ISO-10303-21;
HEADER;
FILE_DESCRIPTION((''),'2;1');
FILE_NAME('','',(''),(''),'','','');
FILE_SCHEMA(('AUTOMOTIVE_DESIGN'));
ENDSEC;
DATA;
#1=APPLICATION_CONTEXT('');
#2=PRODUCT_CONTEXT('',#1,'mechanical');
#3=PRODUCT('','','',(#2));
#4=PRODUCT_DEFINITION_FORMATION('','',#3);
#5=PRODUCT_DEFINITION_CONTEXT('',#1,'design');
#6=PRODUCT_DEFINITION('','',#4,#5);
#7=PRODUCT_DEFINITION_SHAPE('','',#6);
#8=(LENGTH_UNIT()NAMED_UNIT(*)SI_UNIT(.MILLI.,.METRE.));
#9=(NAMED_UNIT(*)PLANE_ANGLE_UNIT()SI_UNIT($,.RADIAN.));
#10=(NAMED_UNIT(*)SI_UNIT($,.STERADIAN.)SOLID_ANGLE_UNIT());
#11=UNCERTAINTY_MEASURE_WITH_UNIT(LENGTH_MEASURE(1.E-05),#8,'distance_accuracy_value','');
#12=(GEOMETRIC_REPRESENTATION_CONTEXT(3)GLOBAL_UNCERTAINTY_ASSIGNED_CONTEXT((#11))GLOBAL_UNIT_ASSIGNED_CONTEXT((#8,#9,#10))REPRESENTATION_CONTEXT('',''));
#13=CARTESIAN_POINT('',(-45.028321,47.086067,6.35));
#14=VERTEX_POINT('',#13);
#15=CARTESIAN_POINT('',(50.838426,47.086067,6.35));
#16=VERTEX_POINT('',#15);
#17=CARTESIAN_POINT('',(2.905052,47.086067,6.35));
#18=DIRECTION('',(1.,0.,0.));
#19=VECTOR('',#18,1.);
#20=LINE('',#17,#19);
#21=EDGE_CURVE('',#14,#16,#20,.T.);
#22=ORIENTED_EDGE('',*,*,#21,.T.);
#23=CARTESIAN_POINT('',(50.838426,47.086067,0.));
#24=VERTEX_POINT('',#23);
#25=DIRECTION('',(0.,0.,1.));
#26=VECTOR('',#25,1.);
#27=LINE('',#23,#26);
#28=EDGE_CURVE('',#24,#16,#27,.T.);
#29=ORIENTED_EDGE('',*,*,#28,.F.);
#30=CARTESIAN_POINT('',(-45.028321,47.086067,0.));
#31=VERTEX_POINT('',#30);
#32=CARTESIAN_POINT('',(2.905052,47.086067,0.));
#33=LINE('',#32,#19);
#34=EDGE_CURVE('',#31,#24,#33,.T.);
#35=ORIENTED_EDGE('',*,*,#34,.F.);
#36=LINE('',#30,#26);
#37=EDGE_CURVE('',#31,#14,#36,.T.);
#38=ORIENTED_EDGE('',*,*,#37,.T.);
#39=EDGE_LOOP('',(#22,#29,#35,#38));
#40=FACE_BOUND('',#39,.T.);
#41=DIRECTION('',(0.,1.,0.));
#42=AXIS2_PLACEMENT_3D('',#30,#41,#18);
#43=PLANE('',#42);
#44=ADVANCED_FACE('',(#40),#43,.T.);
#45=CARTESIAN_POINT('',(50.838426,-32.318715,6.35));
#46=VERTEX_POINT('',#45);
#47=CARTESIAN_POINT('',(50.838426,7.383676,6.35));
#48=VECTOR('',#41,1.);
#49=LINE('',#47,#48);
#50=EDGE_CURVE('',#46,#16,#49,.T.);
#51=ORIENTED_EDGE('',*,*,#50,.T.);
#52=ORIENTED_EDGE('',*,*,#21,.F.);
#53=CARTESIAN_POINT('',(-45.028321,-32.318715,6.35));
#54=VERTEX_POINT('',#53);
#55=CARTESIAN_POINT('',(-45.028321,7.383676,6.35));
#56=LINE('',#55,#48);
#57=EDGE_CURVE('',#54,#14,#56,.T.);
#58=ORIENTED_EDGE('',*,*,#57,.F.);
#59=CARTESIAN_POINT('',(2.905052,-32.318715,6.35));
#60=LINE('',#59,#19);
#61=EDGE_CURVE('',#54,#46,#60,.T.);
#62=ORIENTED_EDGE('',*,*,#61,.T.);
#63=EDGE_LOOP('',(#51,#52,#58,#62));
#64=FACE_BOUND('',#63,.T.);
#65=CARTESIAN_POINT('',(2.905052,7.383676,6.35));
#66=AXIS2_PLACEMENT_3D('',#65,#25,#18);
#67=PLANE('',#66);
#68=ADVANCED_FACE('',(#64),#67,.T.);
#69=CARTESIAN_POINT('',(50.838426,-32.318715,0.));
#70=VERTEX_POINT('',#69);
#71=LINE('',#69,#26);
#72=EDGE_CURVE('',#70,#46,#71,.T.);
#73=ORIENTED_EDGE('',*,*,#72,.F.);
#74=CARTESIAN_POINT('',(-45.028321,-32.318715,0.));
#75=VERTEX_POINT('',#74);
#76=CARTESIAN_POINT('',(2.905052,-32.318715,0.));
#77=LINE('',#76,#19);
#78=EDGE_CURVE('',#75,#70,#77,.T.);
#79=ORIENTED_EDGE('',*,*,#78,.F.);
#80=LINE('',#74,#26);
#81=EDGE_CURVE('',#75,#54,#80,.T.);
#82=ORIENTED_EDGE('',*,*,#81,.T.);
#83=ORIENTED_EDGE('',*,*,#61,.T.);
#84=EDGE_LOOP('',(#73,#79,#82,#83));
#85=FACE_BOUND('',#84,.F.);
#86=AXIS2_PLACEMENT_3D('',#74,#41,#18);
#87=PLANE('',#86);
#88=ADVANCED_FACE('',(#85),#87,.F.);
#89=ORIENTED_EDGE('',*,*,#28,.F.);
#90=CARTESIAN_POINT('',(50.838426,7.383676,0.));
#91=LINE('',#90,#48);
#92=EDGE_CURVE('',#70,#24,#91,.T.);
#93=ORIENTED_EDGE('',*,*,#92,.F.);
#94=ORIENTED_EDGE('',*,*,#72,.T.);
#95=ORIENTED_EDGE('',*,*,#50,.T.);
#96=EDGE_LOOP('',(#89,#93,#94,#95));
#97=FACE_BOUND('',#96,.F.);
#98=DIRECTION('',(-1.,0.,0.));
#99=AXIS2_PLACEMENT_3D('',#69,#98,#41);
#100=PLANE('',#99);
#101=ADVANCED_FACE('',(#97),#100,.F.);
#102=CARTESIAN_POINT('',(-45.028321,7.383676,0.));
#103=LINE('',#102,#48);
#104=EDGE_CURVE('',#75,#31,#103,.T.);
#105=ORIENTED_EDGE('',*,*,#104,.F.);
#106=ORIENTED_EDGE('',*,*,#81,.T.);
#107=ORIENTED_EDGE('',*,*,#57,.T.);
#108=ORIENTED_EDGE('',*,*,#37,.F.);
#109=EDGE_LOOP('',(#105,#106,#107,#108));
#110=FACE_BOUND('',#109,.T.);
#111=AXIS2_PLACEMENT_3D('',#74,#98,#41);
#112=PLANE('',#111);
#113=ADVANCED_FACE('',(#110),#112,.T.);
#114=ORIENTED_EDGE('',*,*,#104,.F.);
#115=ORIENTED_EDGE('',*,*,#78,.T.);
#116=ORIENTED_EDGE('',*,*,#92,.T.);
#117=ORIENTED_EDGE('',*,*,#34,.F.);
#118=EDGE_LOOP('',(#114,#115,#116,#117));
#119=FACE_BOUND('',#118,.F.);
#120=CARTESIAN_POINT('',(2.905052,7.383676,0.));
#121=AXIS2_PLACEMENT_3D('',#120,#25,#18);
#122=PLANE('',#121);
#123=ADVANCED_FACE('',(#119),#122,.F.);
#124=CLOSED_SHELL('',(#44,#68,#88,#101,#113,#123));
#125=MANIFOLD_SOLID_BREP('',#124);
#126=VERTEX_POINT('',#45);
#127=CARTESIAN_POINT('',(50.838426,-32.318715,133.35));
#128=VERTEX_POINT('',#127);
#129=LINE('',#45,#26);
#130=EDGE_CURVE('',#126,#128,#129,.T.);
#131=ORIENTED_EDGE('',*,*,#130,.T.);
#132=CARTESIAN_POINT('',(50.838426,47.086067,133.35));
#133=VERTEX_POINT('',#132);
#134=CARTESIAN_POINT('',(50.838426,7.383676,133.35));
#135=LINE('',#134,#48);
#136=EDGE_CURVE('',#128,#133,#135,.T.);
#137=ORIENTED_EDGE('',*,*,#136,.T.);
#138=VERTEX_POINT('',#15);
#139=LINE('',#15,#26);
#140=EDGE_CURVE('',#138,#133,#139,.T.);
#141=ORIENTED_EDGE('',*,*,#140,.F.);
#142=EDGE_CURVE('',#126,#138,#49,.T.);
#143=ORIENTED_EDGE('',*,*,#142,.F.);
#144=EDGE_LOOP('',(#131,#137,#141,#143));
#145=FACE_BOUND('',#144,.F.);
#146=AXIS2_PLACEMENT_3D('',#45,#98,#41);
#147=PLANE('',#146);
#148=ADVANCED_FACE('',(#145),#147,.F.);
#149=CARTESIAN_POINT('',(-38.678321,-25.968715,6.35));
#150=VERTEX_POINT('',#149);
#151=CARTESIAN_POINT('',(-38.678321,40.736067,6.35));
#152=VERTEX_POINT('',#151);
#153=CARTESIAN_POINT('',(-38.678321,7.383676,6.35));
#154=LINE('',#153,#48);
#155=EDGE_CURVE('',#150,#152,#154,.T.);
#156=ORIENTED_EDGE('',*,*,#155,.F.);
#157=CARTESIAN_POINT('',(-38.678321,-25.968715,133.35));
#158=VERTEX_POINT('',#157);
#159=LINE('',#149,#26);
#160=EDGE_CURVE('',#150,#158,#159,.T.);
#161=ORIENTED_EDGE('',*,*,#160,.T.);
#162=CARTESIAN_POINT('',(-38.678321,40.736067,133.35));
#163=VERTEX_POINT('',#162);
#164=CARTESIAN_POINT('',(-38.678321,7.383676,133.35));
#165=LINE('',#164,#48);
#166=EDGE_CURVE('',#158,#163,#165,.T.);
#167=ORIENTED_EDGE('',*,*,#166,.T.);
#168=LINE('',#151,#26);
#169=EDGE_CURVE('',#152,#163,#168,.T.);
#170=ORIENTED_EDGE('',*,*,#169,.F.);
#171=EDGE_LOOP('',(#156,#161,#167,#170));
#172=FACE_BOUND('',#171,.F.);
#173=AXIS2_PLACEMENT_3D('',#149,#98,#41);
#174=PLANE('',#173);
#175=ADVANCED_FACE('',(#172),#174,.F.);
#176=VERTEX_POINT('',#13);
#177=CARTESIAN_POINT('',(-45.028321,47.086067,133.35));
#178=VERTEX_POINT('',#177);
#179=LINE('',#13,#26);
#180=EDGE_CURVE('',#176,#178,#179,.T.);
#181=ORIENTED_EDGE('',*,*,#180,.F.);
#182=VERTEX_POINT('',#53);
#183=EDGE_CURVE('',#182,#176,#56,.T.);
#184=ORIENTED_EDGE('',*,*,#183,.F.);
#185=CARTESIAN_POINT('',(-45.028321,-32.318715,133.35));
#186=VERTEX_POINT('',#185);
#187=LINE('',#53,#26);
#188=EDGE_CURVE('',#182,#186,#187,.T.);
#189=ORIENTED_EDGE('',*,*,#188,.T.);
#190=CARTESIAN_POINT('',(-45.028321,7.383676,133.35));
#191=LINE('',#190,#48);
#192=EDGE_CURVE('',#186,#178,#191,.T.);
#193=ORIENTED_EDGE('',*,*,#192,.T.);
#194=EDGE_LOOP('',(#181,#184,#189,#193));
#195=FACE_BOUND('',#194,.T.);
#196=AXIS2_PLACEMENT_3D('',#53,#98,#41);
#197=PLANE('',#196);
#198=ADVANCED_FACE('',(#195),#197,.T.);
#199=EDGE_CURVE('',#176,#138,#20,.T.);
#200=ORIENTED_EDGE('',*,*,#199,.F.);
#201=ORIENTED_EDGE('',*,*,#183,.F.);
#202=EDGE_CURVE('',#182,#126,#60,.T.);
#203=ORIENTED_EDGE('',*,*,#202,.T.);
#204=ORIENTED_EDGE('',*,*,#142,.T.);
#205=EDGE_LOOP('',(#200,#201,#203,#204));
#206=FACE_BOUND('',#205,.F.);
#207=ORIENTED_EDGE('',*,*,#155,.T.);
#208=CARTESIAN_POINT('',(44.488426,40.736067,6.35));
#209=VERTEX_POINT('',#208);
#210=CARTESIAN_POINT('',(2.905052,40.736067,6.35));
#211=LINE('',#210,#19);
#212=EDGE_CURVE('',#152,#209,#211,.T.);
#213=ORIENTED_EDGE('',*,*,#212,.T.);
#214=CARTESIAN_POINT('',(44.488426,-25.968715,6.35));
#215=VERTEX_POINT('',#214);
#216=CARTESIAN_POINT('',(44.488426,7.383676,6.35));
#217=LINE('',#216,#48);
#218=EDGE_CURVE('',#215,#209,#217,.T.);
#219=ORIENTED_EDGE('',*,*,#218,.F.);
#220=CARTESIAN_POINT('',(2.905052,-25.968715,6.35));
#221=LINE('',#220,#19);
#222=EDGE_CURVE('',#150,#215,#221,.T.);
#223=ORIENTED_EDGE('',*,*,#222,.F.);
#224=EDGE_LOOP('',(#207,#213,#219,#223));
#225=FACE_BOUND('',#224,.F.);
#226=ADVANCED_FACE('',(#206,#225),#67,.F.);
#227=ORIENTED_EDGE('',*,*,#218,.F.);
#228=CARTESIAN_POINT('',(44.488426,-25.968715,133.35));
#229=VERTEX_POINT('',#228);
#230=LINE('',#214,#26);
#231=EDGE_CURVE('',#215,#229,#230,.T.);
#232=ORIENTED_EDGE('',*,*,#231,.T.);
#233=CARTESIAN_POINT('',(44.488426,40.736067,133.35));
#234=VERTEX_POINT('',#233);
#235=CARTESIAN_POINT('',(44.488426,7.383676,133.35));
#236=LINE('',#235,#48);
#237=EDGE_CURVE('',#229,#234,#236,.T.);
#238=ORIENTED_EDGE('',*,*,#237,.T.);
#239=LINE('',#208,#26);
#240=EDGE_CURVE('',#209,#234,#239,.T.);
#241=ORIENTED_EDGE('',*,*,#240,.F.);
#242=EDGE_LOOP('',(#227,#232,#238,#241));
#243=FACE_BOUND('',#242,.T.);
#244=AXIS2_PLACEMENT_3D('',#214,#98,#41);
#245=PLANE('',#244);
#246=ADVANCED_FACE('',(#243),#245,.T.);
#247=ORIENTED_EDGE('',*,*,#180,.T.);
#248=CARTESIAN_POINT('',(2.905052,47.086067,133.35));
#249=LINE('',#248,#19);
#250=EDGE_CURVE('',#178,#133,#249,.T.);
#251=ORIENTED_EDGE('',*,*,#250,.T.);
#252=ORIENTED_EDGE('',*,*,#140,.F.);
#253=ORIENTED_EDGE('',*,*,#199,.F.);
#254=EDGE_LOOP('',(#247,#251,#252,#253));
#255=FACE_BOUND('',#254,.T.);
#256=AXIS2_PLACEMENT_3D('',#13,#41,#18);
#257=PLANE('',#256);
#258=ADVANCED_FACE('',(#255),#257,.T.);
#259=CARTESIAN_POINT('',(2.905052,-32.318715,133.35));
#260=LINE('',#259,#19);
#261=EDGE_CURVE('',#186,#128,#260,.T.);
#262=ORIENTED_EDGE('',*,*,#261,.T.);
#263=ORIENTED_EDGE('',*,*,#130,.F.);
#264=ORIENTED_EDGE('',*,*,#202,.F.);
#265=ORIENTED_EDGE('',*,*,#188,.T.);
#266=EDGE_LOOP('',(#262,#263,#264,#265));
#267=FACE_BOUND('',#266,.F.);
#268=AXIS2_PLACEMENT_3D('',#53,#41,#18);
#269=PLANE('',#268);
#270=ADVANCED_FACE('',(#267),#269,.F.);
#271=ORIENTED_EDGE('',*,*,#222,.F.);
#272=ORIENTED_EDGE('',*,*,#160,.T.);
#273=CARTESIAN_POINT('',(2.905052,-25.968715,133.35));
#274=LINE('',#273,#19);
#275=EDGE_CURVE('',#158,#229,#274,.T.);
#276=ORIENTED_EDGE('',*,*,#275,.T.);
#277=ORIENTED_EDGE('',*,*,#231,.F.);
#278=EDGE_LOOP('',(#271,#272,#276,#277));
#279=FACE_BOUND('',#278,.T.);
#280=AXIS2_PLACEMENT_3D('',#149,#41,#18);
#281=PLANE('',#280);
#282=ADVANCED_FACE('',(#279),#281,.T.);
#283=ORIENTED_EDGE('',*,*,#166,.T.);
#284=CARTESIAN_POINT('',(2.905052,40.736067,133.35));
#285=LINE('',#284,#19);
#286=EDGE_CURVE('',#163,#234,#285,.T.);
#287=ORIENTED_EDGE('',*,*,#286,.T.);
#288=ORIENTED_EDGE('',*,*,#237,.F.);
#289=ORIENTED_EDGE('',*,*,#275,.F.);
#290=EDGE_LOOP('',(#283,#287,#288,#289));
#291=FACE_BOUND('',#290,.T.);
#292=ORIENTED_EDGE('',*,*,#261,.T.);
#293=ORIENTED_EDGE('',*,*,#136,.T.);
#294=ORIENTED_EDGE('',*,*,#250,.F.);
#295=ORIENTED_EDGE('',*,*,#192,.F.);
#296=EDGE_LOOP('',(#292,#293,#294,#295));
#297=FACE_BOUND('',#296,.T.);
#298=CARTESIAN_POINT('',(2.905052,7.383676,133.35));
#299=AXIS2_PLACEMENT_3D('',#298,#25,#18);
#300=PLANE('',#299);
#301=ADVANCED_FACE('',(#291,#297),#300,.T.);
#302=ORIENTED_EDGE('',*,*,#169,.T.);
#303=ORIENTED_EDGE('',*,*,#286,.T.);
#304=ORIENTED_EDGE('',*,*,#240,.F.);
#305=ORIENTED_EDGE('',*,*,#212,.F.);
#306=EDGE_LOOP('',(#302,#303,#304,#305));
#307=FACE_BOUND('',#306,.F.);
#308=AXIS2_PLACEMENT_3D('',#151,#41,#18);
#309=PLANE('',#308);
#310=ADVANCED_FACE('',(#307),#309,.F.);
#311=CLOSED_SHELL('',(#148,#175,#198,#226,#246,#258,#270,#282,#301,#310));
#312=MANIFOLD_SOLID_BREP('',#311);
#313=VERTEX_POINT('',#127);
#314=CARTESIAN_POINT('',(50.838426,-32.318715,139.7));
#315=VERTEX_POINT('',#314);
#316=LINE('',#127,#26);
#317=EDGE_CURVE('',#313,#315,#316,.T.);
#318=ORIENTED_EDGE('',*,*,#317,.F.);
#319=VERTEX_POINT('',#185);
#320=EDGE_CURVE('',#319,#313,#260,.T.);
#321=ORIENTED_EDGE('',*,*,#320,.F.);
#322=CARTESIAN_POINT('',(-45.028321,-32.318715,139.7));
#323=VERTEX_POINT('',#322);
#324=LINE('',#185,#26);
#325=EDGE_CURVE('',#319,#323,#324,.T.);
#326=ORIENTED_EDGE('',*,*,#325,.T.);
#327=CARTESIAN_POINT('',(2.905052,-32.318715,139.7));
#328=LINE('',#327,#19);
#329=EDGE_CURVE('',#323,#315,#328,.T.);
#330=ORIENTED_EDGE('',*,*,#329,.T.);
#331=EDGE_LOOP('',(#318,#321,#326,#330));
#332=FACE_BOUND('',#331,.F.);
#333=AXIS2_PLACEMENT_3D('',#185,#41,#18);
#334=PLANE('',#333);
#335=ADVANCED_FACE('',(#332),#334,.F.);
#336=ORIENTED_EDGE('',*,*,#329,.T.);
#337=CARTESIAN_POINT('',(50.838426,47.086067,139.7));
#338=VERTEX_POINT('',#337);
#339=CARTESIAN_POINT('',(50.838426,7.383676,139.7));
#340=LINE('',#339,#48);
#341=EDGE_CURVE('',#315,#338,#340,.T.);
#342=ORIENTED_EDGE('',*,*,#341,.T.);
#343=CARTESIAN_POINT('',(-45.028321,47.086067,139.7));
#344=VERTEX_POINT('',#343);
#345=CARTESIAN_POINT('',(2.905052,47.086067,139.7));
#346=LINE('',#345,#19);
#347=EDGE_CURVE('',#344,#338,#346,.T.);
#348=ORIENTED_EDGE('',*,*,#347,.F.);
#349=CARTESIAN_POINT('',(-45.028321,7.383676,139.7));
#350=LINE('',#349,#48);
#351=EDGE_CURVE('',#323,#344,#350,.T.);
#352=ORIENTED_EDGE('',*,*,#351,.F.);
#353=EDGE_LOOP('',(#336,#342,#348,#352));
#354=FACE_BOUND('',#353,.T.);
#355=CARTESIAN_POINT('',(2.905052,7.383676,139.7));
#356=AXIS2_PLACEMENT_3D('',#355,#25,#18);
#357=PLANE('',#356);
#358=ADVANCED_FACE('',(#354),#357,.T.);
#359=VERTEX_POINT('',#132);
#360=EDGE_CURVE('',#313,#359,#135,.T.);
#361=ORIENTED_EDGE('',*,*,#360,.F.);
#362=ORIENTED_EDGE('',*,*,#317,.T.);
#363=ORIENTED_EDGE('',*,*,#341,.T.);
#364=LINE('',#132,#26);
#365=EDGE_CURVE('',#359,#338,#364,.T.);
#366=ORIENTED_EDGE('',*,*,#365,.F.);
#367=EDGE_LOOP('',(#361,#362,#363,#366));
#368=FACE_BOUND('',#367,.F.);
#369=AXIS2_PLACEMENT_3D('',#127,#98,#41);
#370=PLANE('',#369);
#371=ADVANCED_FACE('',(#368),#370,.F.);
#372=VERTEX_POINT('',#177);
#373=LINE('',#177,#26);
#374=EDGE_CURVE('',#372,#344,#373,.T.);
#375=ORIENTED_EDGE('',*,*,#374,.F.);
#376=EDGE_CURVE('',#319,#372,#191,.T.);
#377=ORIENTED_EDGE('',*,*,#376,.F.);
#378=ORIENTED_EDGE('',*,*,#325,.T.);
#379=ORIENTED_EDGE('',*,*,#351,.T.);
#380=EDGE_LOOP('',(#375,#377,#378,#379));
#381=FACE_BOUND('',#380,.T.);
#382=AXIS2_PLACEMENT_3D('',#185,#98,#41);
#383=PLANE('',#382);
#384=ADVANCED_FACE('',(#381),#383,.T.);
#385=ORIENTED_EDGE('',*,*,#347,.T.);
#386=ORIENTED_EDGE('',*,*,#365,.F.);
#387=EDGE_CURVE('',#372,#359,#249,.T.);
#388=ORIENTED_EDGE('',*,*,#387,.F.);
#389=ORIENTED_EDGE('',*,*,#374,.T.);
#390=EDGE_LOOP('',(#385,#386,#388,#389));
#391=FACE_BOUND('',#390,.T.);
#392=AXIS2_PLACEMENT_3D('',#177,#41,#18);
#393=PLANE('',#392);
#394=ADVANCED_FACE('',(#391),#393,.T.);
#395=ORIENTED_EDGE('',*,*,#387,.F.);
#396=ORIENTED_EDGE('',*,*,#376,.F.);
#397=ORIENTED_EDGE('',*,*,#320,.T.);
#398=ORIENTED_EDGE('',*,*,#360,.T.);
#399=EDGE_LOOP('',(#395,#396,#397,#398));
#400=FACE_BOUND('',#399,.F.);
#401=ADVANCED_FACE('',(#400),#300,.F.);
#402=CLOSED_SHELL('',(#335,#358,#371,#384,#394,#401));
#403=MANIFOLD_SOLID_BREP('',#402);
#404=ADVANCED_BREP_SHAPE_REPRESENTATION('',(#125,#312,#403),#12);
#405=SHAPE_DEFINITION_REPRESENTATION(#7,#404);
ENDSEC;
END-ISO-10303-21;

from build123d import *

# Parameters (mm, degrees)
F0_W     = 95.8667472005
F0_H     = 79.4047825038
F1_DEPTH = 6.35
F3_W     = 95.8667472005
F3_H     = 79.4047825038
F3_W_2   = 83.1667472005
F3_H_2   = 66.7047825038
F4_DEPTH = 127
F6_W     = 95.8667472005
F6_H     = 79.4047825038
F7_DEPTH = 6.35


with BuildPart() as f1:
    # F0 (on Top) → F1 (new body)
    with BuildSketch(Plane.XY):
        with Locations((2.9050521553, 7.3836762458)):
            Rectangle(F0_W, F0_H)
    extrude(amount=F1_DEPTH)


with BuildPart() as f4:
    # F3 (on offset) → F4 (new body)
    with BuildSketch(Plane.XY.offset(6.35)):
        with Locations((2.9050521553, 7.3836762458)):
            Rectangle(F3_W, F3_H)
        with Locations((2.9050521553, 7.3836762458)):
            Rectangle(F3_W_2, F3_H_2, mode=Mode.SUBTRACT)
    extrude(amount=F4_DEPTH)


with BuildPart() as f7:
    # F6 (on offset) → F7 (new body)
    with BuildSketch(Plane.XY.offset(133.35)):
        with Locations((2.9050521553, 7.3836762458)):
            Rectangle(F6_W, F6_H)
    extrude(amount=F7_DEPTH)


solid = Compound([f1.part, f4.part, f7.part])
